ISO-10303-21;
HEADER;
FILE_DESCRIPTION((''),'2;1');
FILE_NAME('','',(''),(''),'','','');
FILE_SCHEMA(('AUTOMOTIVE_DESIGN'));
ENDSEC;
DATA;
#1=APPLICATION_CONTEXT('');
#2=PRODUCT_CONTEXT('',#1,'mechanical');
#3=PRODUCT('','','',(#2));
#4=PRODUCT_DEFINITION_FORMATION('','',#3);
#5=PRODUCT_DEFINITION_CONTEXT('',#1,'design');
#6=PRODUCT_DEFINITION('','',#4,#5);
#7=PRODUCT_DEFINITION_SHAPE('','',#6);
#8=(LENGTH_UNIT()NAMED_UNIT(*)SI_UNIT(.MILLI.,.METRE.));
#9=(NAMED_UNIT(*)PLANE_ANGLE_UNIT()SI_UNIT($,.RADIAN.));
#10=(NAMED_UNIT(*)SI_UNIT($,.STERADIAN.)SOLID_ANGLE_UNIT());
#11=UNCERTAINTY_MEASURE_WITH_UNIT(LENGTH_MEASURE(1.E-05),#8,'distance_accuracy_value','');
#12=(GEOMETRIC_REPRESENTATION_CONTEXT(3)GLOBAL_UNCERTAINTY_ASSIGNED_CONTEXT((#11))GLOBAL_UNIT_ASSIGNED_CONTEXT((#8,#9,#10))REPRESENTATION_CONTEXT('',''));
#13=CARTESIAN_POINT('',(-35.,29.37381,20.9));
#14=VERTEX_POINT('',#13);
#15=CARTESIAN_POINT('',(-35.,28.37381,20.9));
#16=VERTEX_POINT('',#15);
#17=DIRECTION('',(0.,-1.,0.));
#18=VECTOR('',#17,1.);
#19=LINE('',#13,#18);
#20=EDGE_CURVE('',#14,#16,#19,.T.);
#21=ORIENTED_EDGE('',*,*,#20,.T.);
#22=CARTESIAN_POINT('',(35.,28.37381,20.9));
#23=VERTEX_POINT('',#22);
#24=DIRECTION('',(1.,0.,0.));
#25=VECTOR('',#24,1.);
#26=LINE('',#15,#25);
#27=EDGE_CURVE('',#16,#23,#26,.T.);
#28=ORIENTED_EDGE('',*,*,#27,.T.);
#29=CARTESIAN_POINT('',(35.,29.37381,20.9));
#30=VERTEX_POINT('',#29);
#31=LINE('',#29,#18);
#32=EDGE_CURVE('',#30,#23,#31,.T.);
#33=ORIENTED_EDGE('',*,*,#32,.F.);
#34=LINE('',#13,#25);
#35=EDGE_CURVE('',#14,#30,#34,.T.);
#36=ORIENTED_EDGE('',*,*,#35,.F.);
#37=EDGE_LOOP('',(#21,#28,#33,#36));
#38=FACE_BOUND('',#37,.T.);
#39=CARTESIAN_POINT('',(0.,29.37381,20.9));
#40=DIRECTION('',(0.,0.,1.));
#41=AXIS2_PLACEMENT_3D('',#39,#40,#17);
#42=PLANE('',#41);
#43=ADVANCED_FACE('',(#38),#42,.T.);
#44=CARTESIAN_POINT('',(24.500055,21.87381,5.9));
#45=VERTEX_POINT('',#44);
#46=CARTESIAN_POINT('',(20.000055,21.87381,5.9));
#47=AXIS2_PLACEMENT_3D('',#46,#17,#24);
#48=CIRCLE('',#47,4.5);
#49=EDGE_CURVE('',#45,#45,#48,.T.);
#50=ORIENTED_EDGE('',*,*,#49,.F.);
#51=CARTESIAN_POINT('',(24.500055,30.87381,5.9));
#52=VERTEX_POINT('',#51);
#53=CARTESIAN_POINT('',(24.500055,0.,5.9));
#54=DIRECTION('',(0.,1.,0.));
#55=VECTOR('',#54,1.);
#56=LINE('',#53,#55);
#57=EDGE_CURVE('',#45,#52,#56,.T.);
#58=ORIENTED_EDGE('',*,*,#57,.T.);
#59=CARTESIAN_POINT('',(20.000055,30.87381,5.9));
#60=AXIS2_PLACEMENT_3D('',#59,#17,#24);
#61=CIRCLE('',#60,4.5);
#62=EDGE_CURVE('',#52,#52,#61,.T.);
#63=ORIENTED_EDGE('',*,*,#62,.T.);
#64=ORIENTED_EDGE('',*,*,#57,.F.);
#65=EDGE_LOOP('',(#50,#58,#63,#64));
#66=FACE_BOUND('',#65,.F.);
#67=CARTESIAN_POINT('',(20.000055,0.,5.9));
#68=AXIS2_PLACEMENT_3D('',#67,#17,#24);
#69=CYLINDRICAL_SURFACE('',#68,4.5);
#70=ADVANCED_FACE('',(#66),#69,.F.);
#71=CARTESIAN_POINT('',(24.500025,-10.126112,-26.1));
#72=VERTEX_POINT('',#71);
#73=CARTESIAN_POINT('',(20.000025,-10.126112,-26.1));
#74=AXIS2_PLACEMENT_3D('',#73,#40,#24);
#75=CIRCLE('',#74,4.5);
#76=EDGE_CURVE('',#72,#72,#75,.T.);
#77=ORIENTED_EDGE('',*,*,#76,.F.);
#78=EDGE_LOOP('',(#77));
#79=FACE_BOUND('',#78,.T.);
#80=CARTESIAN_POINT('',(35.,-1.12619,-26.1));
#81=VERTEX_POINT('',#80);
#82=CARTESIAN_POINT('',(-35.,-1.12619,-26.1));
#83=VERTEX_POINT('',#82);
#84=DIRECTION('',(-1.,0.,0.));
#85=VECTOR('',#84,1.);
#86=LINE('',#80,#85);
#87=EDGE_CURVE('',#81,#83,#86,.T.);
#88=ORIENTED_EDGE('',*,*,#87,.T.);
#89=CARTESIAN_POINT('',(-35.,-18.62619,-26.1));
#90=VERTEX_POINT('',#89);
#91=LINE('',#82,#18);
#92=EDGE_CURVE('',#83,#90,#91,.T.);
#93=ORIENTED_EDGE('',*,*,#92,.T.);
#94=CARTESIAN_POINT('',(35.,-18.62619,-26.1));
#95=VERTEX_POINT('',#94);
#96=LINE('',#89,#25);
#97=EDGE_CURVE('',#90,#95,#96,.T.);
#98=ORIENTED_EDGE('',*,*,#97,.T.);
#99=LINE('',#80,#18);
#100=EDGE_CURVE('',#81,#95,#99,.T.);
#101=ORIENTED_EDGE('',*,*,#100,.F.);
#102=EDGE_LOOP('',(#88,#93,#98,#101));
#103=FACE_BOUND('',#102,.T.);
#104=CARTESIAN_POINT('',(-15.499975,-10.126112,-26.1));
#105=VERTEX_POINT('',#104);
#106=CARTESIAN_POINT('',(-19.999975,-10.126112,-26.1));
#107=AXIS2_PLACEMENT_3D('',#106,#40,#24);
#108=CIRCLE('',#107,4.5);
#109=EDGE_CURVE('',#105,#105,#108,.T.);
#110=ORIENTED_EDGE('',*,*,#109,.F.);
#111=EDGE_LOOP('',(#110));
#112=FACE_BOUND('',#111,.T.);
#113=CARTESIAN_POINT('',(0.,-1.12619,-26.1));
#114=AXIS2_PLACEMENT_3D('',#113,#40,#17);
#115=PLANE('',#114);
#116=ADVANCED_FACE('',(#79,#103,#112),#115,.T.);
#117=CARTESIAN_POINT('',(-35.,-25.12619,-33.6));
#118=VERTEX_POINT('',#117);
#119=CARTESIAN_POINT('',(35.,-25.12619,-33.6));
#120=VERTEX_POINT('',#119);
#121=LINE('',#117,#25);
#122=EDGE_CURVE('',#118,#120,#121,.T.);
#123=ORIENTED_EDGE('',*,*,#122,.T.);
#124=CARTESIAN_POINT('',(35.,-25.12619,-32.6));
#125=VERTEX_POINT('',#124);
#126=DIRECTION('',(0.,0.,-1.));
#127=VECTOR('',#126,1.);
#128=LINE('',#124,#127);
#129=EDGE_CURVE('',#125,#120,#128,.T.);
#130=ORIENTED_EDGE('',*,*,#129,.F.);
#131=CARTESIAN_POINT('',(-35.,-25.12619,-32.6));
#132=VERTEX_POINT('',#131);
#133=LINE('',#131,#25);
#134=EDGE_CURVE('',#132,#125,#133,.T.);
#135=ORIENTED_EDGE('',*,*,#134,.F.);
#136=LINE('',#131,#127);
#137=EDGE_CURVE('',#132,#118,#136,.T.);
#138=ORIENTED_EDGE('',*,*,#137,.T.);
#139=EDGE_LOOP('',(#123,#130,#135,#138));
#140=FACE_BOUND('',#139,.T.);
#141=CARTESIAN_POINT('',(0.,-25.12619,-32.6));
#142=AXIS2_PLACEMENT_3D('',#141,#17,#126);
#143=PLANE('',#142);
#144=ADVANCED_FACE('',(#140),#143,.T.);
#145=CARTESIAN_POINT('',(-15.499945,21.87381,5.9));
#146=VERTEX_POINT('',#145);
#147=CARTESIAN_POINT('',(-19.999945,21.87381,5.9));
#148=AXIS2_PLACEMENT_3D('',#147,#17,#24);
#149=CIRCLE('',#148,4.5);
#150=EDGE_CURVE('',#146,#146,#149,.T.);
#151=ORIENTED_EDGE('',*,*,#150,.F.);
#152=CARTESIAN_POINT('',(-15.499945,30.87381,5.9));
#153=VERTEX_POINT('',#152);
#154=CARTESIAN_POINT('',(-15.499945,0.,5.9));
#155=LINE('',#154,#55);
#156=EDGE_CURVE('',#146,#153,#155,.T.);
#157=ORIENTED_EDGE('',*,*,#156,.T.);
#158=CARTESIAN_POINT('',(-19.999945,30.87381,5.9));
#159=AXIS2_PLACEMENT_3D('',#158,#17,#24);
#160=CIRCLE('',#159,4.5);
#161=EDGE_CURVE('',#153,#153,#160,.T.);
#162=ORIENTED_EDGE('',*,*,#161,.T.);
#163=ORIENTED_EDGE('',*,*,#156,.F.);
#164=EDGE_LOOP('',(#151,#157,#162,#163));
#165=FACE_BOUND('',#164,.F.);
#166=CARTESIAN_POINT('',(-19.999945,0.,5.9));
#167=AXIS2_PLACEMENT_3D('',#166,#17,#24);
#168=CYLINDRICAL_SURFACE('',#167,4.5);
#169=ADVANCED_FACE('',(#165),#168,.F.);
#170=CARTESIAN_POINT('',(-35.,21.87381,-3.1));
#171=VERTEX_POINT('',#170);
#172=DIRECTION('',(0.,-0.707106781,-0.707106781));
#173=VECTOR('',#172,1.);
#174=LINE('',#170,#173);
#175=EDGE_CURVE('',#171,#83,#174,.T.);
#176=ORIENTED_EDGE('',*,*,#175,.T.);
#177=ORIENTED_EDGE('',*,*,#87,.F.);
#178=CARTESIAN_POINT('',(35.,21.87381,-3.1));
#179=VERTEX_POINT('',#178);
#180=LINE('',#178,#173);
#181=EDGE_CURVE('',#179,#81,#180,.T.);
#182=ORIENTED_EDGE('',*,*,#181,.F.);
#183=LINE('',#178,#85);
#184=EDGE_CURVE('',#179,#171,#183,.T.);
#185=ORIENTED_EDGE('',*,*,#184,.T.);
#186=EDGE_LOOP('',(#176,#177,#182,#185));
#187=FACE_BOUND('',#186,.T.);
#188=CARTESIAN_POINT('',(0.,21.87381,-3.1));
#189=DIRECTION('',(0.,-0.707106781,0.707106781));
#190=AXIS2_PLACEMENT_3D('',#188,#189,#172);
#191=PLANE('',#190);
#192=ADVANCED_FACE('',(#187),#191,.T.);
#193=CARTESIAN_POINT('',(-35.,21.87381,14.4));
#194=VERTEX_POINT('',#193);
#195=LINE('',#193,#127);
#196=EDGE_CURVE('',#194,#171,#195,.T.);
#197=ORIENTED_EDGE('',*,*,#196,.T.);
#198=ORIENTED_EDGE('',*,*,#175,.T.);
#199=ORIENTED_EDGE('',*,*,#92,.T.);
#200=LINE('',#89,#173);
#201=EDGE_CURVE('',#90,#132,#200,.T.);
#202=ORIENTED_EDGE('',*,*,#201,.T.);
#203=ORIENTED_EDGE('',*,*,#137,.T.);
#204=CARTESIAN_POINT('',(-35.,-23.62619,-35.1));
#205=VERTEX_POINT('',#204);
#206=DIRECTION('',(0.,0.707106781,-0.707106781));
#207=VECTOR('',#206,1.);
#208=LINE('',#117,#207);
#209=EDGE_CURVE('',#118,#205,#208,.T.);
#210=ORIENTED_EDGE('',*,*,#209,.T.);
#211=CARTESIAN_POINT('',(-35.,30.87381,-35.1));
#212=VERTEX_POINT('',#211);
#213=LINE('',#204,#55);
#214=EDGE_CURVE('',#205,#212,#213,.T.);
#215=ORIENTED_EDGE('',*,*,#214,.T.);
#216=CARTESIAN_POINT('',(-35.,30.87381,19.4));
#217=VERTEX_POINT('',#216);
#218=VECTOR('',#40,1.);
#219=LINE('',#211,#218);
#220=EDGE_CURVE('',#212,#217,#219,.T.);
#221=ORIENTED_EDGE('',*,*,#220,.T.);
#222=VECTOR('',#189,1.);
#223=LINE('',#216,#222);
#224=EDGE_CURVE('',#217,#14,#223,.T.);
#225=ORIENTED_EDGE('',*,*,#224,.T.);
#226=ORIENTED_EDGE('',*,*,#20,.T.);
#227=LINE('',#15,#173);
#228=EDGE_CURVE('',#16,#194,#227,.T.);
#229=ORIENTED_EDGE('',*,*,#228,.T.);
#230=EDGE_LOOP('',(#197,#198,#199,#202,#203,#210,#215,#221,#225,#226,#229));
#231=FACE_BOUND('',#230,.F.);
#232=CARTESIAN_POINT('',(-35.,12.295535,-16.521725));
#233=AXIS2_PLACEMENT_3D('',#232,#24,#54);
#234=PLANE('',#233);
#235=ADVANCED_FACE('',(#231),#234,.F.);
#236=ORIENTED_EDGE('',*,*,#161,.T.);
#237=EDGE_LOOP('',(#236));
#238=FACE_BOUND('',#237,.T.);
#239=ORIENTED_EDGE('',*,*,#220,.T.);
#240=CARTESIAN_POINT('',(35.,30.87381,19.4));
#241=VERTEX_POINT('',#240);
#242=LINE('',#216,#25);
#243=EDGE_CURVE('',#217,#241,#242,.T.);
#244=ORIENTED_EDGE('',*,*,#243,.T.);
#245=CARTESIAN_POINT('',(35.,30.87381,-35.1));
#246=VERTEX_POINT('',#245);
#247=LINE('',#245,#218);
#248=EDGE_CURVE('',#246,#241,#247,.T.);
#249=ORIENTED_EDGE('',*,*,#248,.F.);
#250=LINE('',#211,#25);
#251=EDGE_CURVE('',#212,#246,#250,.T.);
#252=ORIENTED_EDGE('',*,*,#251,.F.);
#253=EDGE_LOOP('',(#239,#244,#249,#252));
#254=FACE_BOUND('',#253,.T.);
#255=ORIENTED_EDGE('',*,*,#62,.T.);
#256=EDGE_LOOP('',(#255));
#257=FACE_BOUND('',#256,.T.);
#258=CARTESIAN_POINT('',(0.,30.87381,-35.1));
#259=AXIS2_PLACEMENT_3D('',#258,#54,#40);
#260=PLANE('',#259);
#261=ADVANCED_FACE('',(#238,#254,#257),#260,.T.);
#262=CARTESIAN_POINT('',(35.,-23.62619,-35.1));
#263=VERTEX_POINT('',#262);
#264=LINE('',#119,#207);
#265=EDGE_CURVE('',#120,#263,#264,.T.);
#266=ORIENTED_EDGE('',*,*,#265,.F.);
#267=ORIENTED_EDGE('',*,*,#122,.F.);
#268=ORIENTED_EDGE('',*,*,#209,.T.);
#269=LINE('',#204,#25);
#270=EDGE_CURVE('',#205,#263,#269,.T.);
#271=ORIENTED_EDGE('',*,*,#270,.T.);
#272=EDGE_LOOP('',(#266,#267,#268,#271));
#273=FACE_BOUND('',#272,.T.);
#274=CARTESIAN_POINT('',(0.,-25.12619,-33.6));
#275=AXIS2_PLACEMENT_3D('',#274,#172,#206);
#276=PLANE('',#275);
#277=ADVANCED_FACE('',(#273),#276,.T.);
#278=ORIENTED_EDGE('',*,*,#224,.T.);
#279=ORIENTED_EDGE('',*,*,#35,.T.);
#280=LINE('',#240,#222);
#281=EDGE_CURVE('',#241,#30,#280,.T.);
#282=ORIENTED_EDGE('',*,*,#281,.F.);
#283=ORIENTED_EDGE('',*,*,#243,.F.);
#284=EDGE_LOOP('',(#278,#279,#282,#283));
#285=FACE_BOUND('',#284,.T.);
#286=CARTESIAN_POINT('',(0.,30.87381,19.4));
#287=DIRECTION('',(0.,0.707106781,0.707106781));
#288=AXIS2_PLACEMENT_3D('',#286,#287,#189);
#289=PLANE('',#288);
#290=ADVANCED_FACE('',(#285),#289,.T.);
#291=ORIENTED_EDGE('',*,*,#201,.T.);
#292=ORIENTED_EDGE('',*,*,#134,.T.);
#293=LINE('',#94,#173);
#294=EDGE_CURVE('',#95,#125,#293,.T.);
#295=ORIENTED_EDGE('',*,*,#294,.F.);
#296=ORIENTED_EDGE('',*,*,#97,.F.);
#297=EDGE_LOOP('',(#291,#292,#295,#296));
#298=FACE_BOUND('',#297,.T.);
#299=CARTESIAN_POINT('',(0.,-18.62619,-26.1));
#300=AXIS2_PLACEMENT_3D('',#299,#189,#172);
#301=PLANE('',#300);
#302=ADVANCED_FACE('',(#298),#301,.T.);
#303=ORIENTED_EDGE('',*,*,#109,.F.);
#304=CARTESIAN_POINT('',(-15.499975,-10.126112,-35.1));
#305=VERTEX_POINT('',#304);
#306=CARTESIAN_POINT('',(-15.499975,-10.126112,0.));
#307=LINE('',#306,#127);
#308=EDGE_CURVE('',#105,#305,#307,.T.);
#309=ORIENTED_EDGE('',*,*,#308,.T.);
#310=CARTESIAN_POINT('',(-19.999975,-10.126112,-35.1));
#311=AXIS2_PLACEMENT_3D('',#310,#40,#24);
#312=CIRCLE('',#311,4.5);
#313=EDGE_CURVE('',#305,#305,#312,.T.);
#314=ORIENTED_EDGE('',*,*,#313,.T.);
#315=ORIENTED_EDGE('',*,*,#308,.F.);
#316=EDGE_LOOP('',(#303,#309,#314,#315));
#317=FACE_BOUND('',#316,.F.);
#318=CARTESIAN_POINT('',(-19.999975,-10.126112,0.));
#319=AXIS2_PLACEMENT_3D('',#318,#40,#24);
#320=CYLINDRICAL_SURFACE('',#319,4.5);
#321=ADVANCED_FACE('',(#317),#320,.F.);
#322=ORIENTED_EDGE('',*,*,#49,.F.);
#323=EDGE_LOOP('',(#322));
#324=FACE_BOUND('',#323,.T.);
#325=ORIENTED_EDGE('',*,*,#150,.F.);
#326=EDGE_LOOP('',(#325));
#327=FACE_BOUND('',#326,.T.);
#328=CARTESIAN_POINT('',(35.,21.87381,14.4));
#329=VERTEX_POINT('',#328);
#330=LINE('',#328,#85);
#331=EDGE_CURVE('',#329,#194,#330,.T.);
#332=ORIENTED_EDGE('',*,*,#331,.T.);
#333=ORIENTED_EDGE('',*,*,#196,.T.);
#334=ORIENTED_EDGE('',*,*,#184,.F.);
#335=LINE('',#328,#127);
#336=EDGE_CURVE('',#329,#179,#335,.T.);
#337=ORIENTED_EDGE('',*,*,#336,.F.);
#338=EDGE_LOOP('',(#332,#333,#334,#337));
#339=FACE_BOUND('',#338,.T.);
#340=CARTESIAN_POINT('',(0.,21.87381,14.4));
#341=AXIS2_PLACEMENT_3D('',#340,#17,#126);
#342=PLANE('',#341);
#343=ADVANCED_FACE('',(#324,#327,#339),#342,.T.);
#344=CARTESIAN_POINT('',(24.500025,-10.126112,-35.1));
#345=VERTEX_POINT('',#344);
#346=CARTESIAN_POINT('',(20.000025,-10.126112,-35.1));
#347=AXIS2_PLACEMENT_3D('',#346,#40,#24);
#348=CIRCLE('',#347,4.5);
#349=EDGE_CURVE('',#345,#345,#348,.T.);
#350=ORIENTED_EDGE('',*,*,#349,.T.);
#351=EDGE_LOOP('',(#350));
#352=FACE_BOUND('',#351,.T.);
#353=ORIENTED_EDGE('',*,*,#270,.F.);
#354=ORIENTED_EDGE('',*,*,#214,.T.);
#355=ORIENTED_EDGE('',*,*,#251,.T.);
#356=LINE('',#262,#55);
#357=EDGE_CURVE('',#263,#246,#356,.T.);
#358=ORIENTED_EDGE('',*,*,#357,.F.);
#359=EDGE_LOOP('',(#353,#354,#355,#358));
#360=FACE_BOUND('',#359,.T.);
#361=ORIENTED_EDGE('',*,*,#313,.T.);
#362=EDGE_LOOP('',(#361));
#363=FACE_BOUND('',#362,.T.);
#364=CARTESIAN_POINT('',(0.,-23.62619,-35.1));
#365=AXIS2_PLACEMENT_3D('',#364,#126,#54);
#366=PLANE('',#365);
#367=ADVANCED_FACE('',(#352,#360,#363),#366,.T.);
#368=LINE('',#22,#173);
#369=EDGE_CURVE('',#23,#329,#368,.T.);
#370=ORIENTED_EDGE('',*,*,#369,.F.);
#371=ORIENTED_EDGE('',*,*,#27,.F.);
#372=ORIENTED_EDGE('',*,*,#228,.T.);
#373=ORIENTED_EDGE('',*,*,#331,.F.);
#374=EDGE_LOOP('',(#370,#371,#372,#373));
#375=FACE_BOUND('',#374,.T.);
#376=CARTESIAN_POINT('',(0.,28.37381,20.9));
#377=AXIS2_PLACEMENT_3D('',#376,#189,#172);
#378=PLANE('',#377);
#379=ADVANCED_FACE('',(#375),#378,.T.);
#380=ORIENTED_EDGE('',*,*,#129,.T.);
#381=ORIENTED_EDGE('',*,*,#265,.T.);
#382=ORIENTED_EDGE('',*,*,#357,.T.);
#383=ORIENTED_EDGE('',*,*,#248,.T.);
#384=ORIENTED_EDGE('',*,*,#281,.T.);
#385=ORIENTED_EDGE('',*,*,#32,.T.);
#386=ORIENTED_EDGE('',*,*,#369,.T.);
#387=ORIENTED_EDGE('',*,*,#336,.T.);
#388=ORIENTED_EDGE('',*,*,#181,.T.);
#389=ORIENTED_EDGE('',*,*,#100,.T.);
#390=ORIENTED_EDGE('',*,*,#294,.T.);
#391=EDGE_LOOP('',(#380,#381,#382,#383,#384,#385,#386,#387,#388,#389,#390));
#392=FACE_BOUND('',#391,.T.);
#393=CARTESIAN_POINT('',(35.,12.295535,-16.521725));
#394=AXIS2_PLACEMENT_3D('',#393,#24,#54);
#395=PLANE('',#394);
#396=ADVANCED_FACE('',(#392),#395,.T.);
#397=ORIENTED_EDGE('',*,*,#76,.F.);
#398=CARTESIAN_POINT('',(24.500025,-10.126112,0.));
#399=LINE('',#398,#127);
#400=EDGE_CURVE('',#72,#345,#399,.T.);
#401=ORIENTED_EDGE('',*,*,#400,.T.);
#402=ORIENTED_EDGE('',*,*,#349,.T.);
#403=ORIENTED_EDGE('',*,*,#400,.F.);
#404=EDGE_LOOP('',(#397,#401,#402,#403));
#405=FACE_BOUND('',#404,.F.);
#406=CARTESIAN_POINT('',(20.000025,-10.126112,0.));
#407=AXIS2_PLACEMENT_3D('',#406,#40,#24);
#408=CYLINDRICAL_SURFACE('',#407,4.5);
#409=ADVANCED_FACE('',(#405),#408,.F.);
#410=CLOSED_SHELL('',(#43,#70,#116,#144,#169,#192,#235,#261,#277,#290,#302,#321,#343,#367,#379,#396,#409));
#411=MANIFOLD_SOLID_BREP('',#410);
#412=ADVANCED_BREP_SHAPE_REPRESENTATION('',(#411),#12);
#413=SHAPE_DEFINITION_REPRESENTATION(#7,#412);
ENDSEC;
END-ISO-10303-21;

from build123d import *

# Parameters (mm, degrees)
F1_DEPTH = 35
F2_R     = 4.5
F3_DEPTH = 30.87481
F4_R     = 4.5
F5_DEPTH = 35.101


with BuildPart() as f1:
    # F0 (on Right) → F1 (new body, symmetric)
    with BuildSketch(Plane.YZ):
        Polygon((-1.12619, -26.1), (-18.62619, -26.1), (-25.12619, -32.6), (-25.12619, -33.6), (-23.62619, -35.1), (30.87381, -35.1), (30.87381, 19.4), (29.37381, 20.9), (28.37381, 20.9), (21.87381, 14.4), (21.87381, -3.1), align=None)
    extrude(amount=F1_DEPTH, both=True)

    # F2 (on Front) → F3 (cut, through all)
    with BuildSketch(Plane.XZ):
        with Locations((-19.999945, 5.9)):
            Circle(F2_R)
        with Locations((20.000055, 5.9)):
            Circle(F2_R)
    extrude(amount=-F3_DEPTH, mode=Mode.SUBTRACT)

    # F4 (on Top) → F5 (cut, through all)
    with BuildSketch(Plane.XY):
        with Locations((-19.999975, -10.126112)):
            Circle(F4_R)
        with Locations((20.000025, -10.126112)):
            Circle(F4_R)
    extrude(amount=-F5_DEPTH, mode=Mode.SUBTRACT)


solid = f1.part
